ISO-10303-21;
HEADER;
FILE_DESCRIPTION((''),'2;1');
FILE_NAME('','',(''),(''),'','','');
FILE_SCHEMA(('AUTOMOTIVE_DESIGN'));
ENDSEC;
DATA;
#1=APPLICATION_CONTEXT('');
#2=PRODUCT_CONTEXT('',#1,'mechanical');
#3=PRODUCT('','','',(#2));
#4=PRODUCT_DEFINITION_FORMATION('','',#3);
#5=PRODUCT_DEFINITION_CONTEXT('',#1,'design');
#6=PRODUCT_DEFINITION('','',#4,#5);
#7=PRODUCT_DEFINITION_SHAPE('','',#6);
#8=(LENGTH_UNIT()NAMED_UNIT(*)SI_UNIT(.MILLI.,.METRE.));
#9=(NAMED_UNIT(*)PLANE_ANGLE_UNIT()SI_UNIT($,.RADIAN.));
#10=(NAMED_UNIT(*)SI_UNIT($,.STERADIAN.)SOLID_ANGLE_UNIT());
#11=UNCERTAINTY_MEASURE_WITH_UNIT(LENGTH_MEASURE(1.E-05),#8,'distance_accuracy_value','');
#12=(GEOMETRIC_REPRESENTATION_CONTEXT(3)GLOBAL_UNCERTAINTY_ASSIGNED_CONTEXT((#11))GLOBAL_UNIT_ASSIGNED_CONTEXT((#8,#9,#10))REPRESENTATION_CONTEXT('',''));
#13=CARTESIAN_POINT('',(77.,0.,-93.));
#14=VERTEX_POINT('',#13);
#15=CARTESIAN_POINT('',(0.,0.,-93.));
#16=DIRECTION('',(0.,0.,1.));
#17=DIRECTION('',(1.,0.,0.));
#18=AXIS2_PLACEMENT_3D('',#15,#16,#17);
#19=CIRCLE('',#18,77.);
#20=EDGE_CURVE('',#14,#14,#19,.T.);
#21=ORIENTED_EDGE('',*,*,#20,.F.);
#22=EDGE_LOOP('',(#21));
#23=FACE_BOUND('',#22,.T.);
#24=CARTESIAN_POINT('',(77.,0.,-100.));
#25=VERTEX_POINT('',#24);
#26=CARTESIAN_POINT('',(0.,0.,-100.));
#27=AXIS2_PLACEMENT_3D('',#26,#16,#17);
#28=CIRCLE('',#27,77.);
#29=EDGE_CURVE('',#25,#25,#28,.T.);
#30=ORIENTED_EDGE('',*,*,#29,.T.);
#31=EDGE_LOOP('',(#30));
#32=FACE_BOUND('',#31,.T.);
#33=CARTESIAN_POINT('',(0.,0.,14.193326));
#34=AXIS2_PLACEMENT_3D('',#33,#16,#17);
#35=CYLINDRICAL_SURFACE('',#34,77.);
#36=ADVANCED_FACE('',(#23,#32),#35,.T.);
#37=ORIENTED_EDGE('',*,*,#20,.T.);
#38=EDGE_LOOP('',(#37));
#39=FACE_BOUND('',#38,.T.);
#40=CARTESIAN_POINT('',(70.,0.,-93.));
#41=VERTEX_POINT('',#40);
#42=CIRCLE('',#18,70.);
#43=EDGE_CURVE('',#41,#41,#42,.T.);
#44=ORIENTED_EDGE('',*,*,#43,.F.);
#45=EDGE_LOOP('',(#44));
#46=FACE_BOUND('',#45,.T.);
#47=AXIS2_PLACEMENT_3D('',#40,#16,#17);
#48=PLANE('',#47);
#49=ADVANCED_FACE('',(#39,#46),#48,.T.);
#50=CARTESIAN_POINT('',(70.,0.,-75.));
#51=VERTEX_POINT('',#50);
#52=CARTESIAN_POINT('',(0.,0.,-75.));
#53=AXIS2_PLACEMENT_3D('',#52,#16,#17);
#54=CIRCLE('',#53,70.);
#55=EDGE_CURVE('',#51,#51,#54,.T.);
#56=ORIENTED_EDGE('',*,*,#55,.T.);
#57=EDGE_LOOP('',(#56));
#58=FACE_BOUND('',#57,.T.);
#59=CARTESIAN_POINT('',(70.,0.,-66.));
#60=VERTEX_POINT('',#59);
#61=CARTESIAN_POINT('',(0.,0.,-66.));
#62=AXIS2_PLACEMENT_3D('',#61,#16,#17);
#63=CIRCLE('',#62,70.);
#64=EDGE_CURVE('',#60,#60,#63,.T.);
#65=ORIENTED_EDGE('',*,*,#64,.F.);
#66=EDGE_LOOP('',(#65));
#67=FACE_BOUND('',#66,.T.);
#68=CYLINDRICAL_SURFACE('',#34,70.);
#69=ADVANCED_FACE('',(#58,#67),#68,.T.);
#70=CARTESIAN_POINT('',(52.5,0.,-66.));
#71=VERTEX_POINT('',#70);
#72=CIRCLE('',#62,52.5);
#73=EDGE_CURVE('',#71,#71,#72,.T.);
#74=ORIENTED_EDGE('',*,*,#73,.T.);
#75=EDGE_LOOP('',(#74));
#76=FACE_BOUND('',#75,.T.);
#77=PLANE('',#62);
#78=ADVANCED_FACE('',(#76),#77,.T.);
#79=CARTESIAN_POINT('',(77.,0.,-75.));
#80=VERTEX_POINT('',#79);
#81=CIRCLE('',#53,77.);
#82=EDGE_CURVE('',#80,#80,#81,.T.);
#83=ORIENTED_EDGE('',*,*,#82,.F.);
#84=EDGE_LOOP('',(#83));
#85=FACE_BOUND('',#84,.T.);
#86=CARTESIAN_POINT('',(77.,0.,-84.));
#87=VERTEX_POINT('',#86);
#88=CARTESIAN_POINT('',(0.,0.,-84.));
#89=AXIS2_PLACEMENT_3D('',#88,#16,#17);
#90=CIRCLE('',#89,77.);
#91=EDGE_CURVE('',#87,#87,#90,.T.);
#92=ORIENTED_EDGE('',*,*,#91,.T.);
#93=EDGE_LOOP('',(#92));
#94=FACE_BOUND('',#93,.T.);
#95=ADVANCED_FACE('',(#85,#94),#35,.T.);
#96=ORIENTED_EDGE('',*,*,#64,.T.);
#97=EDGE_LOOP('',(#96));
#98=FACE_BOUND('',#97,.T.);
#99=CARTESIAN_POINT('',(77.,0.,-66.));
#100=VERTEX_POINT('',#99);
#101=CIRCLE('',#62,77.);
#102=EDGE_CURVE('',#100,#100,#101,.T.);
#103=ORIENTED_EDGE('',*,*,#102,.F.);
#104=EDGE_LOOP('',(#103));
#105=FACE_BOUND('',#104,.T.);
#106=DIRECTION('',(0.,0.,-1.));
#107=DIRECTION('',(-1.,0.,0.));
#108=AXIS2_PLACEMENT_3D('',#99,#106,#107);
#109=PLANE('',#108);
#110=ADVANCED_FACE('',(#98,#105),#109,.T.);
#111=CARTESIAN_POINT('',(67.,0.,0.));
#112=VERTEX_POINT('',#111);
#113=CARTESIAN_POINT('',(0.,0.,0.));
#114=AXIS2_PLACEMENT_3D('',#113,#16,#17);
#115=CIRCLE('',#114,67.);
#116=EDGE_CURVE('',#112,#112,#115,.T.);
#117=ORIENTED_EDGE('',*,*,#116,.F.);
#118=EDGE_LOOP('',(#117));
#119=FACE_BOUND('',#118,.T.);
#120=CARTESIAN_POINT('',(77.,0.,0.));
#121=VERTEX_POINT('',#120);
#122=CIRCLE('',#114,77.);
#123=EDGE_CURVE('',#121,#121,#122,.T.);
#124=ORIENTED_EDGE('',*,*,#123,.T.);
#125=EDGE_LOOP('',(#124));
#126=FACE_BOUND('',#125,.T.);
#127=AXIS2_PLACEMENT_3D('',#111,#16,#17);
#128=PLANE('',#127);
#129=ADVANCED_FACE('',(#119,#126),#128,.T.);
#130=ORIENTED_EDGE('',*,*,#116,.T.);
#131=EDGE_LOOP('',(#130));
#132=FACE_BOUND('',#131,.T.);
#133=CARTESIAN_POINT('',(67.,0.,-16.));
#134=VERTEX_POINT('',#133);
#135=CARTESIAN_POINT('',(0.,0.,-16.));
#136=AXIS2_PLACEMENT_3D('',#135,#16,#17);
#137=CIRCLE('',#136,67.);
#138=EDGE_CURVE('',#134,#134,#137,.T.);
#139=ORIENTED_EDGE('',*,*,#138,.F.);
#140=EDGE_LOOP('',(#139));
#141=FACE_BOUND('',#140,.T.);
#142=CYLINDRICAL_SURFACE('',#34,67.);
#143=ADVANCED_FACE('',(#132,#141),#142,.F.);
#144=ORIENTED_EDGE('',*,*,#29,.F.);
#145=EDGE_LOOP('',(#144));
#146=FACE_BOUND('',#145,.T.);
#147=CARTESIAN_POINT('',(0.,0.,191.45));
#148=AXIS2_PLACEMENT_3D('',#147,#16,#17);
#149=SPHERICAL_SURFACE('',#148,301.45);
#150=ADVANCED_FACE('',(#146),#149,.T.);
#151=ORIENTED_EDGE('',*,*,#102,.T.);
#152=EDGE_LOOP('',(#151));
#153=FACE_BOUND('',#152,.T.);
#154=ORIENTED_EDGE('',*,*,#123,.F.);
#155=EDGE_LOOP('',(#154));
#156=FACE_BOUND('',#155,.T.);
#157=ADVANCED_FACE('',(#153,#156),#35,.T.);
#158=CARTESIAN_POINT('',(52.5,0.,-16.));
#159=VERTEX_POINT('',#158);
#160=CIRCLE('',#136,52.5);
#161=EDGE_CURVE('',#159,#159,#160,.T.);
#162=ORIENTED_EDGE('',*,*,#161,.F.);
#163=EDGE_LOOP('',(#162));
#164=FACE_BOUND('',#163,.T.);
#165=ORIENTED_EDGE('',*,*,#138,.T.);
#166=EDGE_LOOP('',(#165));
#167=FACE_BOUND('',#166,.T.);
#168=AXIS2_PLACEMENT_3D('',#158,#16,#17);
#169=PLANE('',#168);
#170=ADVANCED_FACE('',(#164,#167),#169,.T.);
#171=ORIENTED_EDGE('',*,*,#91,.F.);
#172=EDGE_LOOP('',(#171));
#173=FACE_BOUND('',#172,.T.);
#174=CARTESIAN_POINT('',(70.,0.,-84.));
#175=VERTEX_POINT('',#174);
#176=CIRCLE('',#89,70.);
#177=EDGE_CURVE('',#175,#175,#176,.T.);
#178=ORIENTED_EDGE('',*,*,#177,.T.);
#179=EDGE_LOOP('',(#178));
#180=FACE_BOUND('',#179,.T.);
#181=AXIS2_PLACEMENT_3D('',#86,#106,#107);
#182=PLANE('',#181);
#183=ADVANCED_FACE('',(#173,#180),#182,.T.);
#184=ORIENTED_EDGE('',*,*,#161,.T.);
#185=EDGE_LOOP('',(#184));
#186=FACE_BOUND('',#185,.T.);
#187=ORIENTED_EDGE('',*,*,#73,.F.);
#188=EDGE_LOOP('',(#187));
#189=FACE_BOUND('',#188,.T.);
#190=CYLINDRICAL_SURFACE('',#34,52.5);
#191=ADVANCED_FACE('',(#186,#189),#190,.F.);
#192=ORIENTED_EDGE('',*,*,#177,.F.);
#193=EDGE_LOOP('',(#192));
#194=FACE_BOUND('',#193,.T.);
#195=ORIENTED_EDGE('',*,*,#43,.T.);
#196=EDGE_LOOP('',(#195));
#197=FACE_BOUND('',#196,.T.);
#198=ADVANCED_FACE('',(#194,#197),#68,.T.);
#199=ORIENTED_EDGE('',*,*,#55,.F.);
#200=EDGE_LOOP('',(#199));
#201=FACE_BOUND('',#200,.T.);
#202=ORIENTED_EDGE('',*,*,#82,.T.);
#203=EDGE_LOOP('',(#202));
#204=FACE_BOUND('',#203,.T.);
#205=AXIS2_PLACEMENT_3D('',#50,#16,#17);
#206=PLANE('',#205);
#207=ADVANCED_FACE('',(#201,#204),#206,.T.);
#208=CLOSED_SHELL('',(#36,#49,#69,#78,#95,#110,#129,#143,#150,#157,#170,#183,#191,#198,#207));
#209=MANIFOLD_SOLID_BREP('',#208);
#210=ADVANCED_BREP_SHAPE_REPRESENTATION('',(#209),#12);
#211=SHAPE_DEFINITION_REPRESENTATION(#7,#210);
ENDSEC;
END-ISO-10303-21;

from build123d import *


with BuildPart() as part:
    # Sketch1 → Revolve7 (revolve)
    with BuildSketch(Plane(origin=(0, 0, 0), x_dir=(1, 0, 0), z_dir=(0, 1, 0))):
        with BuildLine():
            Line((0, 66), (0, 110))
            ThreePointArc((0, 110), (38.823317736, 107.489546564), (77, 100))
            Line((77, 100), (77, 93))
            Line((77, 93), (70, 93))
            Line((70, 93), (70, 84))
            Line((70, 84), (77, 84))
            Line((77, 84), (77, 75))
            Line((77, 75), (70, 75))
            Line((70, 75), (70, 66))
            Line((70, 66), (77, 66))
            Line((77, 66), (77, 0))
            Line((77, 0), (67, 0))
            Line((67, 0), (67, 16))
            Line((67, 16), (52.5, 16))
            Line((52.5, 16), (52.5, 66))
            Line((52.5, 66), (0, 66))
        make_face()
    revolve(axis=Axis((0, 0, 14.193325573), (0, 0, -1)))


solid = part.part
